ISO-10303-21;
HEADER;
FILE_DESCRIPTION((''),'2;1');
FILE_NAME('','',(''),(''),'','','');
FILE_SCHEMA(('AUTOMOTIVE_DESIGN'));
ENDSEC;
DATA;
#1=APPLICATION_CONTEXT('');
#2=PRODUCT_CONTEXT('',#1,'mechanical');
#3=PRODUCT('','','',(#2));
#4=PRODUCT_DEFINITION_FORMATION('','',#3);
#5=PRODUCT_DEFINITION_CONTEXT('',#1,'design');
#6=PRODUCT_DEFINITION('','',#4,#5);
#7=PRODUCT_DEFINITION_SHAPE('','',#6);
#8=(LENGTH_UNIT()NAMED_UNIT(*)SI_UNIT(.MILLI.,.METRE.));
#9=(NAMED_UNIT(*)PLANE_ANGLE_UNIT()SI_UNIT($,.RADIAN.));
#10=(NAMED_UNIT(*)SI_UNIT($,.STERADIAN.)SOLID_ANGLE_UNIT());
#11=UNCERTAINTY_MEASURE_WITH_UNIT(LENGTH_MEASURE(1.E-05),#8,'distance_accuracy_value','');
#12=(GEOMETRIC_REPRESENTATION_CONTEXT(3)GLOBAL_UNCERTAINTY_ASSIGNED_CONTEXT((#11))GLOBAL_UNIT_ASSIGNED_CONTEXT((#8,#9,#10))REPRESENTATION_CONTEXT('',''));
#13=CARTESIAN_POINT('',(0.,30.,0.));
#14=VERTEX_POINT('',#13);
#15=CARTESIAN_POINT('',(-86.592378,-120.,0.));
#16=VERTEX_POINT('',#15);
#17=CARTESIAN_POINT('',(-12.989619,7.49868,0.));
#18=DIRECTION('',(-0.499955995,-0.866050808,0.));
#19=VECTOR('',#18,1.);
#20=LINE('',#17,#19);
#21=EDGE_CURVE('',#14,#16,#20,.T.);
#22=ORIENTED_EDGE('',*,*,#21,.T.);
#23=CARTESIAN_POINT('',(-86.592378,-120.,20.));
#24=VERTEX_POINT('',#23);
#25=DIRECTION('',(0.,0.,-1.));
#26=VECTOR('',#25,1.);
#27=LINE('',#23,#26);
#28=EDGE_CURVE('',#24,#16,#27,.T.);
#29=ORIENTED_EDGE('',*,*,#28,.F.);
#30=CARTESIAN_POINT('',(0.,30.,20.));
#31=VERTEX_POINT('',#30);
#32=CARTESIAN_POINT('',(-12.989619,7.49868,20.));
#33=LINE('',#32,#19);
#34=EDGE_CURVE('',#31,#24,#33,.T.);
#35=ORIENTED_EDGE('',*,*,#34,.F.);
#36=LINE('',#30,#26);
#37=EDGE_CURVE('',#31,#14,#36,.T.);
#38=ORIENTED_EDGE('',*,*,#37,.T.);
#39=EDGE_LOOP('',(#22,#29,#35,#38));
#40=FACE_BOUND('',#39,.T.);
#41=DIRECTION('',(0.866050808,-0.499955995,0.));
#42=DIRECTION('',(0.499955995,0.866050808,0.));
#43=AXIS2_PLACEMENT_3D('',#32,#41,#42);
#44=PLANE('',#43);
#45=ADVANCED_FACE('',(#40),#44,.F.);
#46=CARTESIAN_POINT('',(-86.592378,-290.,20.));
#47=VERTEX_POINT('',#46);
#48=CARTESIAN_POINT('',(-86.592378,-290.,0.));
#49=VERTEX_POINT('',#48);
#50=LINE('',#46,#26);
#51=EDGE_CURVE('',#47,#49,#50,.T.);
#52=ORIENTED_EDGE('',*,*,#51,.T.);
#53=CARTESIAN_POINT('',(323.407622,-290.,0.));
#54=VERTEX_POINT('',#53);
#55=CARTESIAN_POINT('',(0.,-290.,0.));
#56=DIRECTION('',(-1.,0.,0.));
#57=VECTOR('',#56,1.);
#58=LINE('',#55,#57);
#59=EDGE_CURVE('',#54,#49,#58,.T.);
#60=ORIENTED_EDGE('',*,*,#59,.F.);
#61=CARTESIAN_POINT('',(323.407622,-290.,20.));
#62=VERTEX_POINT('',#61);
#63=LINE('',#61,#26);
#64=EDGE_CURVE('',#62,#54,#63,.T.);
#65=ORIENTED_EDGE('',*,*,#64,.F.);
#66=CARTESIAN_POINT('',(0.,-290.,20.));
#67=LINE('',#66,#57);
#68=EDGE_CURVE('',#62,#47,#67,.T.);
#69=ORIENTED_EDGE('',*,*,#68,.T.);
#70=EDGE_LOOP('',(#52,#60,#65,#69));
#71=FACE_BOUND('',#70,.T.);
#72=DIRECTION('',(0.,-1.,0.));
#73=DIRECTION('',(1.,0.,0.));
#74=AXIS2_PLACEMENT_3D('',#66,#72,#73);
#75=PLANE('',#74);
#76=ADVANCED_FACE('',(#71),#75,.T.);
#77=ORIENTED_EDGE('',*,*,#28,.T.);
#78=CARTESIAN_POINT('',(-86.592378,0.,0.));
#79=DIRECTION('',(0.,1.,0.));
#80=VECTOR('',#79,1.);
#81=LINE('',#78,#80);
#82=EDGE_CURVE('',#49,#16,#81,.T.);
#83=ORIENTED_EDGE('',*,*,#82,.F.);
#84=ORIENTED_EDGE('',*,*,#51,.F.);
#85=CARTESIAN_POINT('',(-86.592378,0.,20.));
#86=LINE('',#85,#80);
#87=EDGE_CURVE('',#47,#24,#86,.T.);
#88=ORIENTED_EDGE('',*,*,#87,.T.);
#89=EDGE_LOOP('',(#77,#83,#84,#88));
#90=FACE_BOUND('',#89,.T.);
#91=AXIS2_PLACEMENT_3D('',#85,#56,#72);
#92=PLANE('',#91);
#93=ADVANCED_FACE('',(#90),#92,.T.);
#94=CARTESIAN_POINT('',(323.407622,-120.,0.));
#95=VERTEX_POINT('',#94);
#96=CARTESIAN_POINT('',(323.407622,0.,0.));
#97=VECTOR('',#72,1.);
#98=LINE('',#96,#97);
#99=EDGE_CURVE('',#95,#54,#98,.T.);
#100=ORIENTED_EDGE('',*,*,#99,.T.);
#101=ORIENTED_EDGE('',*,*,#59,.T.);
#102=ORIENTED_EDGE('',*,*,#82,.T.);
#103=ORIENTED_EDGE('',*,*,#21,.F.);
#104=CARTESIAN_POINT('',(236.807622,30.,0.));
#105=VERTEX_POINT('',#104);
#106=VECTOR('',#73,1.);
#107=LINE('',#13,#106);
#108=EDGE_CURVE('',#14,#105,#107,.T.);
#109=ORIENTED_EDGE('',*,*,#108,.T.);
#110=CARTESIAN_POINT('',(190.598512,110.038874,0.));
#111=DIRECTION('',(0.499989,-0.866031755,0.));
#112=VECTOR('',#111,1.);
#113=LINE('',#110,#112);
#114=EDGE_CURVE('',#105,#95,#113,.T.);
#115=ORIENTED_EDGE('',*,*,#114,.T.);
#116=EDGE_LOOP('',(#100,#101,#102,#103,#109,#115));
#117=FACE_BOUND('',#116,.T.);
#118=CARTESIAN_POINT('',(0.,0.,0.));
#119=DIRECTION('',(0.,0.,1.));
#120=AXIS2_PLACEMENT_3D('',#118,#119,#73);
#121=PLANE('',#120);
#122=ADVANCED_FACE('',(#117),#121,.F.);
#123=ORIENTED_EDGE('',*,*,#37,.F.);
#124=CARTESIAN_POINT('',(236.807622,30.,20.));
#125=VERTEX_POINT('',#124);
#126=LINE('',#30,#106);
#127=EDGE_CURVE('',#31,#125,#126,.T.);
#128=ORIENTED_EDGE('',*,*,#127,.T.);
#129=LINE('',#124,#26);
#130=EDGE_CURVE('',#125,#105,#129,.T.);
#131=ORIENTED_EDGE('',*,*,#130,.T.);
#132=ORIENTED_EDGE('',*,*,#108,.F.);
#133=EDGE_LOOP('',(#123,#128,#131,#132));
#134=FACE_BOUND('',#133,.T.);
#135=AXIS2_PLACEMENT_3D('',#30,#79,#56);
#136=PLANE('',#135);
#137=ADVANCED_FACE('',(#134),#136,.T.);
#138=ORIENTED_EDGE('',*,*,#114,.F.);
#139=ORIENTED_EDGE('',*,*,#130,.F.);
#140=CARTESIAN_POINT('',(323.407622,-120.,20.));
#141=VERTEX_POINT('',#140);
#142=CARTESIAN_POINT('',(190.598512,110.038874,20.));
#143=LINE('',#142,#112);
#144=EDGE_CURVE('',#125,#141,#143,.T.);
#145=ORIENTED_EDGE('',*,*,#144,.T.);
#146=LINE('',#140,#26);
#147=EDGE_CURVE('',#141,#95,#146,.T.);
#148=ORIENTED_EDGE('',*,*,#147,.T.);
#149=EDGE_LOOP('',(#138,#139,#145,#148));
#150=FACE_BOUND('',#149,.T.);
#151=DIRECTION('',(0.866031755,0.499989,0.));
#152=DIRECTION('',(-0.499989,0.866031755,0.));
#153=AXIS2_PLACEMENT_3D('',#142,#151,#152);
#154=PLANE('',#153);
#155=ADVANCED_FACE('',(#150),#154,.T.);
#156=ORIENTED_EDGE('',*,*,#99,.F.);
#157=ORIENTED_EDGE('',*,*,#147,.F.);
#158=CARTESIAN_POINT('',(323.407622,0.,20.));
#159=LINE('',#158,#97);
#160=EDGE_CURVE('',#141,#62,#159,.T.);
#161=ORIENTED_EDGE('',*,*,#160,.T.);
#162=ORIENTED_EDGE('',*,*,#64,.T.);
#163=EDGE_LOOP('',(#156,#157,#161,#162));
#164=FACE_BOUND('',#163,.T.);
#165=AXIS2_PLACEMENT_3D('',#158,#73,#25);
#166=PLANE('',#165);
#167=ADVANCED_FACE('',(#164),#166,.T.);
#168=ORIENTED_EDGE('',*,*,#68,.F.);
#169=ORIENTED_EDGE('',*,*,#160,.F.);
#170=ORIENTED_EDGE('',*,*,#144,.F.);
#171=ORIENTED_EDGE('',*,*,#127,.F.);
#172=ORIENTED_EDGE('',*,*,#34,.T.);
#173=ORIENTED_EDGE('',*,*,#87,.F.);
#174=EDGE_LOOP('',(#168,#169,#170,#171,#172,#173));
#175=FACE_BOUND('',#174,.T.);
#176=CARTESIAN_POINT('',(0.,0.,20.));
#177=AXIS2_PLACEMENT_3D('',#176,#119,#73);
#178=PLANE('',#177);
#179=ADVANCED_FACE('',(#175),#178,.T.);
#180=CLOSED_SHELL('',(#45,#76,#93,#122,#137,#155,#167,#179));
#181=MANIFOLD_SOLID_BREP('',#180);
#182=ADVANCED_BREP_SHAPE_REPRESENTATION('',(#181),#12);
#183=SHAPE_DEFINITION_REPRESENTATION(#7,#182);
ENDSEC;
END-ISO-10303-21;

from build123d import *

# Parameters (mm, degrees)
BOSS_EXTRU_1_DEPTH = 20


with BuildPart() as part:
    # Esquisse1 → Boss.-Extru.1 (new body)
    with BuildSketch(Plane.XY):
        Polygon((236.807621582, 30), (0, 30), (-86.592378418, -120), (-86.592378418, -290), (323.407621582, -290), (323.407621582, -120), align=None)
    extrude(amount=BOSS_EXTRU_1_DEPTH)


solid = part.part
